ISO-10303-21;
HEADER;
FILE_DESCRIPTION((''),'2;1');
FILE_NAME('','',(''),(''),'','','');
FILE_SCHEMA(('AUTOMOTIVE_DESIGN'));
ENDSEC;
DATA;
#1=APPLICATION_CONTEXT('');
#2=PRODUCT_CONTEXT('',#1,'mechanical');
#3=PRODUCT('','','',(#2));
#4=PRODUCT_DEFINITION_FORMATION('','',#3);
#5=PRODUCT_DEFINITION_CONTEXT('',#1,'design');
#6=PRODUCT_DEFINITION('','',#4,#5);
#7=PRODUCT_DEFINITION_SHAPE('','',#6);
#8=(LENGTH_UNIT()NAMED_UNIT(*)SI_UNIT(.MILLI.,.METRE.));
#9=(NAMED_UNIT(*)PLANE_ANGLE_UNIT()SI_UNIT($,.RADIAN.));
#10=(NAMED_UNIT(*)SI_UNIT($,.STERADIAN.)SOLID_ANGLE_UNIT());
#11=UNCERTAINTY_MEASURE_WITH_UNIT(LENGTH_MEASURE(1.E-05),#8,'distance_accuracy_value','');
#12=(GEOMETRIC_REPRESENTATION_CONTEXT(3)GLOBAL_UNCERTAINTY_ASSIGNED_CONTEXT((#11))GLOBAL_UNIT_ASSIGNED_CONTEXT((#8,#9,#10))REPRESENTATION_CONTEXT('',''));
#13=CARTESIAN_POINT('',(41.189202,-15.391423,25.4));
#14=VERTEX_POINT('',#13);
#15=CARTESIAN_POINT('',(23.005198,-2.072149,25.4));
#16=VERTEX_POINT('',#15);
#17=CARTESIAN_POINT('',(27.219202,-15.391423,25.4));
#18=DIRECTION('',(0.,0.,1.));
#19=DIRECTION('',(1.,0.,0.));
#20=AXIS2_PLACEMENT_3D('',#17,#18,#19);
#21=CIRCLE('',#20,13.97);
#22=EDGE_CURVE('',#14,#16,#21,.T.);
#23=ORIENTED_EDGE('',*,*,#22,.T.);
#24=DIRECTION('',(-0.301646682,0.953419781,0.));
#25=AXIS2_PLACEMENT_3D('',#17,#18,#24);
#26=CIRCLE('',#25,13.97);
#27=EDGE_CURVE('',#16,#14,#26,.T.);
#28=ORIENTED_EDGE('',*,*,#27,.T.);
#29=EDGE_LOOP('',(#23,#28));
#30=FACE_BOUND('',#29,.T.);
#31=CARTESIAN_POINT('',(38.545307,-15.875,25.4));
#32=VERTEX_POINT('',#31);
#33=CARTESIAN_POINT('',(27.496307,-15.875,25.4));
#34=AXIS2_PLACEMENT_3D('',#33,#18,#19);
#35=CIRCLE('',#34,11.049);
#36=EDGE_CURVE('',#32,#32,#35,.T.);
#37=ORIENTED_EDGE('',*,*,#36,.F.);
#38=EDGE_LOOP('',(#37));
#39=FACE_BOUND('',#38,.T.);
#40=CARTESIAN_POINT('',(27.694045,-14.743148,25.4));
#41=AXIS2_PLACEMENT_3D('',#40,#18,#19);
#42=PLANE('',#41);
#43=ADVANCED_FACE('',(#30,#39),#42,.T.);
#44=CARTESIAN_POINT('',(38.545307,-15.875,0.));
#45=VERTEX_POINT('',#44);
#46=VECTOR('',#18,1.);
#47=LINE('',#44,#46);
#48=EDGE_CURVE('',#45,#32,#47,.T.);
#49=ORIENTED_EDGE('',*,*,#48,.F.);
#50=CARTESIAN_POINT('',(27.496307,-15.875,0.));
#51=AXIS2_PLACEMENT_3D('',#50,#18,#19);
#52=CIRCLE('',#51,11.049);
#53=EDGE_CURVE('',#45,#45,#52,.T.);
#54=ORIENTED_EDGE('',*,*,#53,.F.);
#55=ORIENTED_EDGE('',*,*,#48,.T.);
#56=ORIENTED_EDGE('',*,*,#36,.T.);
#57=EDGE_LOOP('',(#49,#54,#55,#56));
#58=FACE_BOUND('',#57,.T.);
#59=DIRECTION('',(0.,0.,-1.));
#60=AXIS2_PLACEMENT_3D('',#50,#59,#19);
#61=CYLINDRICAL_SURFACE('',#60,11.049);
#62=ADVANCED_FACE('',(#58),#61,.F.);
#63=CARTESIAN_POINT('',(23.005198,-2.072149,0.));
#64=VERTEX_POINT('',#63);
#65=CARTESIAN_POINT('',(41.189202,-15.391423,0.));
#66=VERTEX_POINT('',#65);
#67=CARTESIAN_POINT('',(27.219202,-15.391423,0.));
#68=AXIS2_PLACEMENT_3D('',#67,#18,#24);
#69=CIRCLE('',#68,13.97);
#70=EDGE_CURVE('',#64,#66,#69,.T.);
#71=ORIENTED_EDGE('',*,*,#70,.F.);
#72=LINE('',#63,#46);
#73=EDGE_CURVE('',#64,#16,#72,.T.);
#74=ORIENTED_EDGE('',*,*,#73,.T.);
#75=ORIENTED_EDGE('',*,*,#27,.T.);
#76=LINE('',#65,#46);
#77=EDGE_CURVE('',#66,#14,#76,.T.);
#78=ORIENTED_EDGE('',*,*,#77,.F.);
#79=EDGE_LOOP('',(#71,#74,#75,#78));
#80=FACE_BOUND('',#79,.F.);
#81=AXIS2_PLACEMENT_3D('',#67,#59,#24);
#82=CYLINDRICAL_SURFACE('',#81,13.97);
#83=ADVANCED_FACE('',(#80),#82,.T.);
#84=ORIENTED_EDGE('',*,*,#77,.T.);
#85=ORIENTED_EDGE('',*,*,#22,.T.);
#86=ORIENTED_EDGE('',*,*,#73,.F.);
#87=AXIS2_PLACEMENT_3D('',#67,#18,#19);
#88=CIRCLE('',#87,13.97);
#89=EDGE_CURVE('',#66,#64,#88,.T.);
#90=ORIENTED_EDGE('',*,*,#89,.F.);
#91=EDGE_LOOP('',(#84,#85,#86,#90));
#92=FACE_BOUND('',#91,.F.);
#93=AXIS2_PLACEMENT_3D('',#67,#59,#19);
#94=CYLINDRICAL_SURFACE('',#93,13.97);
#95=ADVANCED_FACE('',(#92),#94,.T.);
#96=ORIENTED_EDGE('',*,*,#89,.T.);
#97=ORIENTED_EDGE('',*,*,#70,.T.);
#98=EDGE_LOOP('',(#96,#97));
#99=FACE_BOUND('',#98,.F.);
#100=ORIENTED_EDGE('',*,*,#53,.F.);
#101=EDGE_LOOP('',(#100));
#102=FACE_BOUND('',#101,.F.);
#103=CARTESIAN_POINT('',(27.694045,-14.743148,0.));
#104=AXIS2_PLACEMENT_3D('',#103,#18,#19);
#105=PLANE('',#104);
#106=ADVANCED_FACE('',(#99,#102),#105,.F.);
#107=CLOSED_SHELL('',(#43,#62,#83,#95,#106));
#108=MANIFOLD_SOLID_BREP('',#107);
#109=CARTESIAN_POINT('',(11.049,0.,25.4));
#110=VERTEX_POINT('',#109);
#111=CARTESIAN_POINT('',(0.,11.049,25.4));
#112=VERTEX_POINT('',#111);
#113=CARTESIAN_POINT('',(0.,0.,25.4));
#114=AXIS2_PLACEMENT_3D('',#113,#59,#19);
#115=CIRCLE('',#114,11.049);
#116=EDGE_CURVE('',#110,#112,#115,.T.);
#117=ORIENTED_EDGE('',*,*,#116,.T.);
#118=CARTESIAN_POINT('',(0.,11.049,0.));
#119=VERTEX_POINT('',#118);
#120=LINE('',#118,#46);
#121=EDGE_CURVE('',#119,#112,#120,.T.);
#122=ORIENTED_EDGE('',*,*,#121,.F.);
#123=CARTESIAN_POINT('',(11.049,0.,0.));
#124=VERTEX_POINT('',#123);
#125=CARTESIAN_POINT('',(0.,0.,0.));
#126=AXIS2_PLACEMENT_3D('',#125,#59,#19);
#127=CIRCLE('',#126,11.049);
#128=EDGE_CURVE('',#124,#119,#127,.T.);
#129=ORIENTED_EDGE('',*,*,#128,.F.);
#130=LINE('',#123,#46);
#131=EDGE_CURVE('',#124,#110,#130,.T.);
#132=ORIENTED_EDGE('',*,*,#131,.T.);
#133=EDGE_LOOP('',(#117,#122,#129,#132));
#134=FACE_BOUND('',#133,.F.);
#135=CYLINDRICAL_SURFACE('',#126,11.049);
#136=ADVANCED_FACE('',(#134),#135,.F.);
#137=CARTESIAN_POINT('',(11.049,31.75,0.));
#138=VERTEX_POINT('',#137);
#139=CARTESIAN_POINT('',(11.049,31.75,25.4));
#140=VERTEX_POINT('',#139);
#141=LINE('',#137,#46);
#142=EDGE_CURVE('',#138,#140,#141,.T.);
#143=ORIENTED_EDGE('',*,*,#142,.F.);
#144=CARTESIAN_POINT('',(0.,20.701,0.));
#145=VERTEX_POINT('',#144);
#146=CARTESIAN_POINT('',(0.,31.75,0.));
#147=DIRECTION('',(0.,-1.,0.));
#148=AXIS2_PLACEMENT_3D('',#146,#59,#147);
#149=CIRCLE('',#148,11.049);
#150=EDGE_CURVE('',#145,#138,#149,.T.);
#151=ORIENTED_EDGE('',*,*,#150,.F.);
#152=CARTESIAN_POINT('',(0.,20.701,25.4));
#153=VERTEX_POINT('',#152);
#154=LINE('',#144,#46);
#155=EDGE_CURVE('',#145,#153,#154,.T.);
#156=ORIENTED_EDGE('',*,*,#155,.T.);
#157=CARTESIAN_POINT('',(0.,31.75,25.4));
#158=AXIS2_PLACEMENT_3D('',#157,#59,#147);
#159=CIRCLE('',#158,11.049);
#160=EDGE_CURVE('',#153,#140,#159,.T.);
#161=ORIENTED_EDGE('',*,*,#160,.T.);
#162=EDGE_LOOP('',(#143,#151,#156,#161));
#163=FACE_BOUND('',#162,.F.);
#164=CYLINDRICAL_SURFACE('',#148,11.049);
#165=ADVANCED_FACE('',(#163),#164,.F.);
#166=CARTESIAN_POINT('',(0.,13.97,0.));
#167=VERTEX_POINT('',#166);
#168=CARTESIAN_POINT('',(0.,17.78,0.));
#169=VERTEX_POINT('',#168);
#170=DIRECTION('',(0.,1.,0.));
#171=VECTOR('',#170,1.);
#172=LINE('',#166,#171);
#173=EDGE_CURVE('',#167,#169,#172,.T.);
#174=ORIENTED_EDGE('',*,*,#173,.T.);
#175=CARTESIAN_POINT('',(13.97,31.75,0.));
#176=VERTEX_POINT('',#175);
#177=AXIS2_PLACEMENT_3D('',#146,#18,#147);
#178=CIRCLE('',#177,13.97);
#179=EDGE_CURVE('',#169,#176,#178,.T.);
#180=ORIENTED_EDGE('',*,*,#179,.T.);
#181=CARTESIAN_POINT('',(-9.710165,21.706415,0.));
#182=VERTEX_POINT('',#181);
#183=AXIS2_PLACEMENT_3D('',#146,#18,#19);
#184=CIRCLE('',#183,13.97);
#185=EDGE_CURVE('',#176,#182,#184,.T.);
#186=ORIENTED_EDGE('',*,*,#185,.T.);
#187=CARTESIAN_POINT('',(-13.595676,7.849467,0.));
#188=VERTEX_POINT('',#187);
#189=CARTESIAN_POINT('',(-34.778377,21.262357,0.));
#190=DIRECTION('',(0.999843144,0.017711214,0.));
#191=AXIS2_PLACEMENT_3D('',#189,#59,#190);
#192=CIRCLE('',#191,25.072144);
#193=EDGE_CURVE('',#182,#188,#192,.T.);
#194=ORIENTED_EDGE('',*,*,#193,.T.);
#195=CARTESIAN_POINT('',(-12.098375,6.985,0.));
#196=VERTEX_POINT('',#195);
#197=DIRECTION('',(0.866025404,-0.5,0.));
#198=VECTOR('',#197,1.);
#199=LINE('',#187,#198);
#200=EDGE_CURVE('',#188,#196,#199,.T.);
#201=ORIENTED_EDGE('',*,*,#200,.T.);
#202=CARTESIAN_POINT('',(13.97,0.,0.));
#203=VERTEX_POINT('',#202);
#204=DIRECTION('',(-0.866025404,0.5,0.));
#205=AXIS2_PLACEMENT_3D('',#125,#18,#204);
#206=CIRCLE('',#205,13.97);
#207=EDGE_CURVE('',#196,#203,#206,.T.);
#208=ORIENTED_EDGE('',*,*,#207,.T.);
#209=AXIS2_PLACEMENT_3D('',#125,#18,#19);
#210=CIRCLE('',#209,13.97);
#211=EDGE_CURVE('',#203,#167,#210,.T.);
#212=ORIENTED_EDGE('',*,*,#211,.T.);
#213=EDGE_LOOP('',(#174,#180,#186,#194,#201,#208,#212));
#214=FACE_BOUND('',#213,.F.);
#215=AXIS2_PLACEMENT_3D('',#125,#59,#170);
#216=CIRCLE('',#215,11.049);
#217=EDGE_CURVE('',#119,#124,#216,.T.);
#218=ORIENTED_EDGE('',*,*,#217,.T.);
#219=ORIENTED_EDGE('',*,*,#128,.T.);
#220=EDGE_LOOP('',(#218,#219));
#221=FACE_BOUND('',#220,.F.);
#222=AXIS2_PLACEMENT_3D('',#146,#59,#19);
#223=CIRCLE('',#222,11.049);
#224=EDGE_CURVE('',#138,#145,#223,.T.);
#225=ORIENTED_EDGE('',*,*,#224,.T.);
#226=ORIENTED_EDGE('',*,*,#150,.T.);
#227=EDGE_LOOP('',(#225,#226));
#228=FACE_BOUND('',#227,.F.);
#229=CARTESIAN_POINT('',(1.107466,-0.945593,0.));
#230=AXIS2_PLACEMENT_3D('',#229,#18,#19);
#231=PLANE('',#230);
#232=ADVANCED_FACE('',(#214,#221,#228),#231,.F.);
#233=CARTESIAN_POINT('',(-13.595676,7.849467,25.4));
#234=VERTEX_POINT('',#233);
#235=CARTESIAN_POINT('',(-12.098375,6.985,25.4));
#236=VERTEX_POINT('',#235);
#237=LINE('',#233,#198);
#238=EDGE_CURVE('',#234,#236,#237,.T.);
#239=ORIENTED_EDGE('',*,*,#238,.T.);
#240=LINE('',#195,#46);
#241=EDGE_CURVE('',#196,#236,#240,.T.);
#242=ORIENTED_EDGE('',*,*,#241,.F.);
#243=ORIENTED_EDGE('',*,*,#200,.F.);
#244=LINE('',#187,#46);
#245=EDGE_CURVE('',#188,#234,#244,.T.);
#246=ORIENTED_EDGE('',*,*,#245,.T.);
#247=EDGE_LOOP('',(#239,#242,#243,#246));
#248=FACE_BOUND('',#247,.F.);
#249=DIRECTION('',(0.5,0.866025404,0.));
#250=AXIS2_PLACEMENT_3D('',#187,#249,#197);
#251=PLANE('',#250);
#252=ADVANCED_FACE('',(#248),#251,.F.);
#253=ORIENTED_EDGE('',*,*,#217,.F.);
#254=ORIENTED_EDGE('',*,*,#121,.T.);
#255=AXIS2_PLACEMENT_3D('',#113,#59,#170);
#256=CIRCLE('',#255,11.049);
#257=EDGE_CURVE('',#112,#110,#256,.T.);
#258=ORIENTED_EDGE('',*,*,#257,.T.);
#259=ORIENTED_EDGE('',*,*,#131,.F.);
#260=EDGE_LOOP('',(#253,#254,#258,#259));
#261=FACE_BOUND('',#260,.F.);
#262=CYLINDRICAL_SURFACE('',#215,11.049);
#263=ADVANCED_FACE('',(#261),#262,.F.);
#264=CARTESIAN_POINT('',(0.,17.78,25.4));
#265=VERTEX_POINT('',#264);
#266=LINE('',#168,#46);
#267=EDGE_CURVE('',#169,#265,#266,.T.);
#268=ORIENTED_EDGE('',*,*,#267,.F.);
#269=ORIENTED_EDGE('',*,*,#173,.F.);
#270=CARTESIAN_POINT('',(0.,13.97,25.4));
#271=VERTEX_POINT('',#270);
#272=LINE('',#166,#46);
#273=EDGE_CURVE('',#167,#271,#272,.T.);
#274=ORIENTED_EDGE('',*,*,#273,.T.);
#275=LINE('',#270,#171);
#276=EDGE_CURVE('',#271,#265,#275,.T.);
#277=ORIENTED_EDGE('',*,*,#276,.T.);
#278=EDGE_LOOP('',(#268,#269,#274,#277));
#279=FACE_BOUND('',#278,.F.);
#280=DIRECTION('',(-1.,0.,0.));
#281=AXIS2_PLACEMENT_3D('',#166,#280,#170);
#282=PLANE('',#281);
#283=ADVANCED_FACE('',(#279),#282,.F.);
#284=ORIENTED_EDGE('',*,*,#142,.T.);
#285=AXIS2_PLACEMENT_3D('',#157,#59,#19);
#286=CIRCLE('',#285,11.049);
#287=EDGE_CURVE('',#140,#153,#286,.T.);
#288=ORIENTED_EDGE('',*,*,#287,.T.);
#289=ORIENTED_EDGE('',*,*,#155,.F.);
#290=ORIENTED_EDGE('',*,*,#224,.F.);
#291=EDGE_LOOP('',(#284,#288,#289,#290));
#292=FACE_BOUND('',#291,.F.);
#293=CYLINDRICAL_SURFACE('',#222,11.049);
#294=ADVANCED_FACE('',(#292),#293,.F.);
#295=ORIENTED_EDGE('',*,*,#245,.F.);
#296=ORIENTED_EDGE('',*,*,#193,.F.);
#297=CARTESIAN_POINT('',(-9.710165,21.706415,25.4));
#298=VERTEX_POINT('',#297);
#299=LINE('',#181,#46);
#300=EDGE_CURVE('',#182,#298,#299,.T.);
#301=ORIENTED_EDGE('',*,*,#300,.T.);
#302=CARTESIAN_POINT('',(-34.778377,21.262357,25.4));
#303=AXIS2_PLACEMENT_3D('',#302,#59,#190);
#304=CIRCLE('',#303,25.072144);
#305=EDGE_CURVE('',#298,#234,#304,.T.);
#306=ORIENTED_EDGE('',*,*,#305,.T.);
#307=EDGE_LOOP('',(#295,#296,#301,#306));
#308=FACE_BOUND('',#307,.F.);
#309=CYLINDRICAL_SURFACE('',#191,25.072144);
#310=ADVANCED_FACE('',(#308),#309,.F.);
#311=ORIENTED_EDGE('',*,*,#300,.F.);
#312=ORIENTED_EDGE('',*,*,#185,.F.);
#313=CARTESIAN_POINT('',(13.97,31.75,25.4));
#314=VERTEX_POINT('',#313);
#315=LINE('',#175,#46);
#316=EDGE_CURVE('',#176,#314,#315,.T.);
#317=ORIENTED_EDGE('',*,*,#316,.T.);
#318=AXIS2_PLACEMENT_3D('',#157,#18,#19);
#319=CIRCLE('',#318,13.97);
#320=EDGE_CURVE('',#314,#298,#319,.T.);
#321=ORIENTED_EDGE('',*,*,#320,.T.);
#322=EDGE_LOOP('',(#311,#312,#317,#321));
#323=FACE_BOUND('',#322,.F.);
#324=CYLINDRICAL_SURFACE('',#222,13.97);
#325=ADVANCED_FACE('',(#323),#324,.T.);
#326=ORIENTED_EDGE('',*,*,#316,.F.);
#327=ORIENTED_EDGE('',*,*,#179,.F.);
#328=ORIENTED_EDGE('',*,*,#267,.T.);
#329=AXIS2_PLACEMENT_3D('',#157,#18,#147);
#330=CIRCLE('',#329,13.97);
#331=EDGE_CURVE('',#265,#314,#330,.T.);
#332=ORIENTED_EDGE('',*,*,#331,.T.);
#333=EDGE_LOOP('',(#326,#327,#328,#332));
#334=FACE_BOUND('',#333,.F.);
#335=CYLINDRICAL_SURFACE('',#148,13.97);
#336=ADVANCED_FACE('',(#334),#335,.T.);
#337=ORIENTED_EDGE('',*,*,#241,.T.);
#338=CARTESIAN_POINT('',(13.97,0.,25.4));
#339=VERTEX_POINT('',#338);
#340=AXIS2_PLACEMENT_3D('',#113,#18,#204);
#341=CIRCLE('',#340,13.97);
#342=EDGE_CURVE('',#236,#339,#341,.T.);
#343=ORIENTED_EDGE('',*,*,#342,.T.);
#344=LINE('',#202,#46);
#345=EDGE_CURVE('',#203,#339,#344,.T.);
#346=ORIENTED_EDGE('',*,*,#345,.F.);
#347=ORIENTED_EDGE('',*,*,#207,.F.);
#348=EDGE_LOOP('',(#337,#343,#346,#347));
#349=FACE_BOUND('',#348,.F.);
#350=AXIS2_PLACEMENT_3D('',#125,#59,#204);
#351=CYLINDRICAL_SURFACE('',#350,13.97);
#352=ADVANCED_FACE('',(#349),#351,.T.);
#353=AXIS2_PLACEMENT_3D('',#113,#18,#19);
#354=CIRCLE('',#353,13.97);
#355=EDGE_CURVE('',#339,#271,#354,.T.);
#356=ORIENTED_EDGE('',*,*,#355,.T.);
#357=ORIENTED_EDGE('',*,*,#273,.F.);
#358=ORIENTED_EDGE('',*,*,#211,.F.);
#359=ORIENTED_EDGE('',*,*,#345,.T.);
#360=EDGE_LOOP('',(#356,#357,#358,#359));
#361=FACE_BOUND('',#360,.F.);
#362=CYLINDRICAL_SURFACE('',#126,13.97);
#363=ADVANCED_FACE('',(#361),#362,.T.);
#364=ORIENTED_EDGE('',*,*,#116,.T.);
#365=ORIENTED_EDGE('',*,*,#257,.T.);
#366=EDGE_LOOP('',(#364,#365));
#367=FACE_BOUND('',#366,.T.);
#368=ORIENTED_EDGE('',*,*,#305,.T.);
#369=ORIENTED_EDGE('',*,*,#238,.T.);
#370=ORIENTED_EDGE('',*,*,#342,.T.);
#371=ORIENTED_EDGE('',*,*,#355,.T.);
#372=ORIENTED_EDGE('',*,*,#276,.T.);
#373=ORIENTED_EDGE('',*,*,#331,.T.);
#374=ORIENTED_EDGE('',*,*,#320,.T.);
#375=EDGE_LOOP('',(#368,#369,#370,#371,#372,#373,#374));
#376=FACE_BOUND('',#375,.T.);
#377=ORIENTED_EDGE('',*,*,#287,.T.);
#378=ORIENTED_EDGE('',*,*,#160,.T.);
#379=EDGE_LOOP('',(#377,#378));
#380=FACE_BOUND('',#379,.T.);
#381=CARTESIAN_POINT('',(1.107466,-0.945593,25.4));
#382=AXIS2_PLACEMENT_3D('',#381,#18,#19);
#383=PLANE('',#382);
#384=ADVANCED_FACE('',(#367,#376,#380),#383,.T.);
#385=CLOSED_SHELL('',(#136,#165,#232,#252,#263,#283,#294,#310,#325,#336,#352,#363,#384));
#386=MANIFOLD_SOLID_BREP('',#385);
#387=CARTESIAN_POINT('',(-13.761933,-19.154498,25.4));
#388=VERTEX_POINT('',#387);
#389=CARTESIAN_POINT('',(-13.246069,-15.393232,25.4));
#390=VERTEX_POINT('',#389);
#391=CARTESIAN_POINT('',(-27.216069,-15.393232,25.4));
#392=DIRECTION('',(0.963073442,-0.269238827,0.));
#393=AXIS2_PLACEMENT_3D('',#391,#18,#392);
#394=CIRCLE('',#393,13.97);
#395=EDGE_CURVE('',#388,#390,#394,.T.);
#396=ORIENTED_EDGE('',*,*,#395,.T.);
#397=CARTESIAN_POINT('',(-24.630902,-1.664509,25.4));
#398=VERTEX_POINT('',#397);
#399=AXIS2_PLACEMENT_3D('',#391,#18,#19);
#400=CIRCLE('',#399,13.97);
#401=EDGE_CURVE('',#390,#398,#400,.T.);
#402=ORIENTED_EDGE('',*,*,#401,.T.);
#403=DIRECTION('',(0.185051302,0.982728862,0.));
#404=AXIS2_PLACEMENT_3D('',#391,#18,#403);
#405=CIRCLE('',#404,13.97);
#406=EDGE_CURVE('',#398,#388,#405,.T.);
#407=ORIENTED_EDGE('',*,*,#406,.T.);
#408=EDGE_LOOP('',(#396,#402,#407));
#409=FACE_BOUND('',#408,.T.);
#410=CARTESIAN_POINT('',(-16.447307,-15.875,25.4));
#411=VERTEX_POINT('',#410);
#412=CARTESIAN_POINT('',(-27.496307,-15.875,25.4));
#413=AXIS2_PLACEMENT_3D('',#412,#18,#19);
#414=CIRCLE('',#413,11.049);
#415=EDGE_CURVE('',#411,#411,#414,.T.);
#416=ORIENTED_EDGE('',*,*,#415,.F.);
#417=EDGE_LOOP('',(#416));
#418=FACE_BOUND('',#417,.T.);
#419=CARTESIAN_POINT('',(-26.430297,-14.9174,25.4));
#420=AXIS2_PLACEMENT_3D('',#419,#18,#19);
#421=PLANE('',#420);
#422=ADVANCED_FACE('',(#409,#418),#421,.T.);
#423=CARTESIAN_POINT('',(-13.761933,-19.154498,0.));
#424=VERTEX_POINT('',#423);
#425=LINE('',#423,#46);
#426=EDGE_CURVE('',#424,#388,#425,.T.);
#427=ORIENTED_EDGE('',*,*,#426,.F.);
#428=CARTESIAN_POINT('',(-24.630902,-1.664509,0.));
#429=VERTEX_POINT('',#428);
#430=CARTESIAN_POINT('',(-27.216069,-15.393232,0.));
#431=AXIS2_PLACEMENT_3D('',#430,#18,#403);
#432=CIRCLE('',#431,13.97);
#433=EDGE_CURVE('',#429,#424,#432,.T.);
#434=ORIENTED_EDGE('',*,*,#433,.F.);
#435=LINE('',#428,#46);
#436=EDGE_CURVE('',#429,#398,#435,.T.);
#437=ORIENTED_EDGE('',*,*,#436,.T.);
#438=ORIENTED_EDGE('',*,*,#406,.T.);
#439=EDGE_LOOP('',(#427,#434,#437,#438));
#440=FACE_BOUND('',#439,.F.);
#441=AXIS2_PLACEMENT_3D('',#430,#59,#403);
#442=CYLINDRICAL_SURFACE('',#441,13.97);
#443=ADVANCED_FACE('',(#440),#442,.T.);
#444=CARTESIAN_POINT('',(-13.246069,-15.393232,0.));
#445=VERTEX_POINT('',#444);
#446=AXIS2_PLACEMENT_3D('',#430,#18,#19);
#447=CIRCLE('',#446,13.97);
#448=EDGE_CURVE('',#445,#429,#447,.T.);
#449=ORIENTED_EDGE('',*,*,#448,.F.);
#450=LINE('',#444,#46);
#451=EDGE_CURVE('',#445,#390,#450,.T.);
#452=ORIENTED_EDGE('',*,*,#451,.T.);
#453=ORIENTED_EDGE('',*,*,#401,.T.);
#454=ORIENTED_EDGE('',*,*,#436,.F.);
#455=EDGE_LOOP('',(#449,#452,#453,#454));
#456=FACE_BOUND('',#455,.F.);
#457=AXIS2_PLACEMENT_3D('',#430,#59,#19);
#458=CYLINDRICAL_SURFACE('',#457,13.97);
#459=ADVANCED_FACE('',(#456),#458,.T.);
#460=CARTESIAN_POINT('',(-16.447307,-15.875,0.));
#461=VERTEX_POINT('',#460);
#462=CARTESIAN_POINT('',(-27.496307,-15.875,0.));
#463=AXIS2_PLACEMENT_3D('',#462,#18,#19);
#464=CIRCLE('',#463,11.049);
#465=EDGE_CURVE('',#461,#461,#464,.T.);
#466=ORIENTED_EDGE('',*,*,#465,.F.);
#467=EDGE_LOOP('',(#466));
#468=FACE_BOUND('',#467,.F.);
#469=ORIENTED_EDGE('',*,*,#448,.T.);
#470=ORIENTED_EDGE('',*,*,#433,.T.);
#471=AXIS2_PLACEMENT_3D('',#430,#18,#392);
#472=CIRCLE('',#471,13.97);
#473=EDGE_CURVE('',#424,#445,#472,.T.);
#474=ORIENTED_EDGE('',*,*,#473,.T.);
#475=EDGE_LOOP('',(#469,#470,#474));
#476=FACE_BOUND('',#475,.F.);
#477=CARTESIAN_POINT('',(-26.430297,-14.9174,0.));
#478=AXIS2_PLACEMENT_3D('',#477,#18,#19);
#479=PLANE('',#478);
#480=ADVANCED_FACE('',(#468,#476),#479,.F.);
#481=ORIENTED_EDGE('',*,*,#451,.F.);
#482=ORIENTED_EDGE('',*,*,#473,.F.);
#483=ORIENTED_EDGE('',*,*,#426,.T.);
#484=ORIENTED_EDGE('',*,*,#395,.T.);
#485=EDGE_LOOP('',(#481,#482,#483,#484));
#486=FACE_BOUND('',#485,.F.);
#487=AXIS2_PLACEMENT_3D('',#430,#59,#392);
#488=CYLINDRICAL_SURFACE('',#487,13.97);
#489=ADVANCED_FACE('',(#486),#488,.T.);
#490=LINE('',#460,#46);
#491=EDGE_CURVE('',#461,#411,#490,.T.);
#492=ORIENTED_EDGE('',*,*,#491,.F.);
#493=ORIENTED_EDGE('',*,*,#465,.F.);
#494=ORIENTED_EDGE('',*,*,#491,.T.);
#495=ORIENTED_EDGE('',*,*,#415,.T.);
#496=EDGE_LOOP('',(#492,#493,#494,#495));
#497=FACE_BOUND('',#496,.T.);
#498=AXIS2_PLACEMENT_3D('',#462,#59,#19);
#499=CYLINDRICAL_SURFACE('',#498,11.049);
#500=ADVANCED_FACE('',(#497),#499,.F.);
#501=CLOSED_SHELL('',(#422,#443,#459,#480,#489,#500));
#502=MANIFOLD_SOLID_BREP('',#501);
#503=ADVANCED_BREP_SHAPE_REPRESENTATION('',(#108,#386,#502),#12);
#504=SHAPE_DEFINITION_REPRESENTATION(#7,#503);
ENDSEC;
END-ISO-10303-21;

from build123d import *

# Parameters (mm, degrees)
F1_DEPTH = 25.4
F0_R     = 11.049


with BuildPart() as f1:
    # F0 (on Top) → F1 (new body)
    with BuildSketch(Plane.XY):
        with BuildLine():
            ThreePointArc((0, 11.049), (7.8128228253, 7.8128228253), (11.049, 0))
            ThreePointArc((11.049, 0), (-2.8596916293, -10.6725144547), (-9.5687146864, 5.5245))
            Line((-9.5687146864, 5.5245), (-12.0983748909, 6.985))
            ThreePointArc((-12.0983748909, 6.985), (-3.6157020601, -13.4939837933), (13.97, 0))
            ThreePointArc((13.97, 0), (9.8782817332, 9.8782817332), (0, 13.97))
            Line((0, 13.97), (0, 11.049))
        make_face()
        with BuildLine():
            ThreePointArc((-9.5687146864, 5.5245), (-5.5245, 9.5687146864), (0, 11.049))
            Line((0, 11.049), (0, 13.97))
            ThreePointArc((0, 13.97), (-6.985, 12.0983748909), (-12.0983748909, 6.985))
            Line((-12.0983748909, 6.985), (-9.5687146864, 5.5245))
        make_face()
        with BuildLine():
            ThreePointArc((-12.0983748909, 6.985), (-6.985, 12.0983748909), (0, 13.97))
            Line((0, 13.97), (0, 17.78))
            ThreePointArc((0, 17.78), (-5.2369846592, 18.7987494164), (-9.7101647279, 21.706414935))
            ThreePointArc((-9.7101647279, 21.706414935), (-10.6373226429, 14.4931657481), (-13.5956756423, 7.8494669919))
            Line((-13.5956756423, 7.8494669919), (-12.0983748909, 6.985))
        make_face()
        with BuildLine():
            ThreePointArc((-9.7101647279, 21.706414935), (-5.2369846592, 18.7987494164), (0, 17.78))
            ThreePointArc((0, 17.78), (9.8782817332, 21.8717182668), (13.97, 31.75))
            ThreePointArc((13.97, 31.75), (-5.454809747, 44.611024478), (-9.7101647279, 21.706414935))
        make_face()
        with BuildLine():
            ThreePointArc((11.049, 31.75), (7.8128228253, 23.9371771747), (0, 20.701))
            ThreePointArc((0, 20.701), (-7.8128228253, 39.5628228253), (11.049, 31.75))
        make_face(mode=Mode.SUBTRACT)
    extrude(amount=F1_DEPTH)


with BuildPart() as f1b:
    # F0 (on Top) → F1, piece 2 (new body)
    with BuildSketch(Plane.XY):
        with BuildLine():
            ThreePointArc((-13.24606908, -15.3932316846), (-16.4625654972, -6.4756613489), (-24.6309023934, -1.6645094862))
            ThreePointArc((-24.6309023934, -1.6645094862), (-39.0815540225, -22.7669123856), (-13.7619331001, -19.1544980983))
            ThreePointArc((-13.7619331001, -19.1544980983), (-13.3756359286, -17.2914703895), (-13.24606908, -15.3932316846))
        make_face()
        with Locations((-27.4963065702, -15.875)):
            Circle(F0_R, mode=Mode.SUBTRACT)
    extrude(amount=F1_DEPTH)


with BuildPart() as f1c:
    # F0 (on Top) → F1, piece 3 (new body)
    with BuildSketch(Plane.XY):
        with BuildLine():
            ThreePointArc((23.0051975699, -2.0721487123), (18.9641650078, -26.6615281564), (41.1892017154, -15.3914230568))
            ThreePointArc((41.1892017154, -15.3914230568), (35.474238423, -4.1213179571), (23.0051975699, -2.0721487123))
        make_face()
        with Locations((27.4963065702, -15.875)):
            Circle(F0_R, mode=Mode.SUBTRACT)
    extrude(amount=F1_DEPTH)


solid = Compound([f1.part, f1b.part, f1c.part])
